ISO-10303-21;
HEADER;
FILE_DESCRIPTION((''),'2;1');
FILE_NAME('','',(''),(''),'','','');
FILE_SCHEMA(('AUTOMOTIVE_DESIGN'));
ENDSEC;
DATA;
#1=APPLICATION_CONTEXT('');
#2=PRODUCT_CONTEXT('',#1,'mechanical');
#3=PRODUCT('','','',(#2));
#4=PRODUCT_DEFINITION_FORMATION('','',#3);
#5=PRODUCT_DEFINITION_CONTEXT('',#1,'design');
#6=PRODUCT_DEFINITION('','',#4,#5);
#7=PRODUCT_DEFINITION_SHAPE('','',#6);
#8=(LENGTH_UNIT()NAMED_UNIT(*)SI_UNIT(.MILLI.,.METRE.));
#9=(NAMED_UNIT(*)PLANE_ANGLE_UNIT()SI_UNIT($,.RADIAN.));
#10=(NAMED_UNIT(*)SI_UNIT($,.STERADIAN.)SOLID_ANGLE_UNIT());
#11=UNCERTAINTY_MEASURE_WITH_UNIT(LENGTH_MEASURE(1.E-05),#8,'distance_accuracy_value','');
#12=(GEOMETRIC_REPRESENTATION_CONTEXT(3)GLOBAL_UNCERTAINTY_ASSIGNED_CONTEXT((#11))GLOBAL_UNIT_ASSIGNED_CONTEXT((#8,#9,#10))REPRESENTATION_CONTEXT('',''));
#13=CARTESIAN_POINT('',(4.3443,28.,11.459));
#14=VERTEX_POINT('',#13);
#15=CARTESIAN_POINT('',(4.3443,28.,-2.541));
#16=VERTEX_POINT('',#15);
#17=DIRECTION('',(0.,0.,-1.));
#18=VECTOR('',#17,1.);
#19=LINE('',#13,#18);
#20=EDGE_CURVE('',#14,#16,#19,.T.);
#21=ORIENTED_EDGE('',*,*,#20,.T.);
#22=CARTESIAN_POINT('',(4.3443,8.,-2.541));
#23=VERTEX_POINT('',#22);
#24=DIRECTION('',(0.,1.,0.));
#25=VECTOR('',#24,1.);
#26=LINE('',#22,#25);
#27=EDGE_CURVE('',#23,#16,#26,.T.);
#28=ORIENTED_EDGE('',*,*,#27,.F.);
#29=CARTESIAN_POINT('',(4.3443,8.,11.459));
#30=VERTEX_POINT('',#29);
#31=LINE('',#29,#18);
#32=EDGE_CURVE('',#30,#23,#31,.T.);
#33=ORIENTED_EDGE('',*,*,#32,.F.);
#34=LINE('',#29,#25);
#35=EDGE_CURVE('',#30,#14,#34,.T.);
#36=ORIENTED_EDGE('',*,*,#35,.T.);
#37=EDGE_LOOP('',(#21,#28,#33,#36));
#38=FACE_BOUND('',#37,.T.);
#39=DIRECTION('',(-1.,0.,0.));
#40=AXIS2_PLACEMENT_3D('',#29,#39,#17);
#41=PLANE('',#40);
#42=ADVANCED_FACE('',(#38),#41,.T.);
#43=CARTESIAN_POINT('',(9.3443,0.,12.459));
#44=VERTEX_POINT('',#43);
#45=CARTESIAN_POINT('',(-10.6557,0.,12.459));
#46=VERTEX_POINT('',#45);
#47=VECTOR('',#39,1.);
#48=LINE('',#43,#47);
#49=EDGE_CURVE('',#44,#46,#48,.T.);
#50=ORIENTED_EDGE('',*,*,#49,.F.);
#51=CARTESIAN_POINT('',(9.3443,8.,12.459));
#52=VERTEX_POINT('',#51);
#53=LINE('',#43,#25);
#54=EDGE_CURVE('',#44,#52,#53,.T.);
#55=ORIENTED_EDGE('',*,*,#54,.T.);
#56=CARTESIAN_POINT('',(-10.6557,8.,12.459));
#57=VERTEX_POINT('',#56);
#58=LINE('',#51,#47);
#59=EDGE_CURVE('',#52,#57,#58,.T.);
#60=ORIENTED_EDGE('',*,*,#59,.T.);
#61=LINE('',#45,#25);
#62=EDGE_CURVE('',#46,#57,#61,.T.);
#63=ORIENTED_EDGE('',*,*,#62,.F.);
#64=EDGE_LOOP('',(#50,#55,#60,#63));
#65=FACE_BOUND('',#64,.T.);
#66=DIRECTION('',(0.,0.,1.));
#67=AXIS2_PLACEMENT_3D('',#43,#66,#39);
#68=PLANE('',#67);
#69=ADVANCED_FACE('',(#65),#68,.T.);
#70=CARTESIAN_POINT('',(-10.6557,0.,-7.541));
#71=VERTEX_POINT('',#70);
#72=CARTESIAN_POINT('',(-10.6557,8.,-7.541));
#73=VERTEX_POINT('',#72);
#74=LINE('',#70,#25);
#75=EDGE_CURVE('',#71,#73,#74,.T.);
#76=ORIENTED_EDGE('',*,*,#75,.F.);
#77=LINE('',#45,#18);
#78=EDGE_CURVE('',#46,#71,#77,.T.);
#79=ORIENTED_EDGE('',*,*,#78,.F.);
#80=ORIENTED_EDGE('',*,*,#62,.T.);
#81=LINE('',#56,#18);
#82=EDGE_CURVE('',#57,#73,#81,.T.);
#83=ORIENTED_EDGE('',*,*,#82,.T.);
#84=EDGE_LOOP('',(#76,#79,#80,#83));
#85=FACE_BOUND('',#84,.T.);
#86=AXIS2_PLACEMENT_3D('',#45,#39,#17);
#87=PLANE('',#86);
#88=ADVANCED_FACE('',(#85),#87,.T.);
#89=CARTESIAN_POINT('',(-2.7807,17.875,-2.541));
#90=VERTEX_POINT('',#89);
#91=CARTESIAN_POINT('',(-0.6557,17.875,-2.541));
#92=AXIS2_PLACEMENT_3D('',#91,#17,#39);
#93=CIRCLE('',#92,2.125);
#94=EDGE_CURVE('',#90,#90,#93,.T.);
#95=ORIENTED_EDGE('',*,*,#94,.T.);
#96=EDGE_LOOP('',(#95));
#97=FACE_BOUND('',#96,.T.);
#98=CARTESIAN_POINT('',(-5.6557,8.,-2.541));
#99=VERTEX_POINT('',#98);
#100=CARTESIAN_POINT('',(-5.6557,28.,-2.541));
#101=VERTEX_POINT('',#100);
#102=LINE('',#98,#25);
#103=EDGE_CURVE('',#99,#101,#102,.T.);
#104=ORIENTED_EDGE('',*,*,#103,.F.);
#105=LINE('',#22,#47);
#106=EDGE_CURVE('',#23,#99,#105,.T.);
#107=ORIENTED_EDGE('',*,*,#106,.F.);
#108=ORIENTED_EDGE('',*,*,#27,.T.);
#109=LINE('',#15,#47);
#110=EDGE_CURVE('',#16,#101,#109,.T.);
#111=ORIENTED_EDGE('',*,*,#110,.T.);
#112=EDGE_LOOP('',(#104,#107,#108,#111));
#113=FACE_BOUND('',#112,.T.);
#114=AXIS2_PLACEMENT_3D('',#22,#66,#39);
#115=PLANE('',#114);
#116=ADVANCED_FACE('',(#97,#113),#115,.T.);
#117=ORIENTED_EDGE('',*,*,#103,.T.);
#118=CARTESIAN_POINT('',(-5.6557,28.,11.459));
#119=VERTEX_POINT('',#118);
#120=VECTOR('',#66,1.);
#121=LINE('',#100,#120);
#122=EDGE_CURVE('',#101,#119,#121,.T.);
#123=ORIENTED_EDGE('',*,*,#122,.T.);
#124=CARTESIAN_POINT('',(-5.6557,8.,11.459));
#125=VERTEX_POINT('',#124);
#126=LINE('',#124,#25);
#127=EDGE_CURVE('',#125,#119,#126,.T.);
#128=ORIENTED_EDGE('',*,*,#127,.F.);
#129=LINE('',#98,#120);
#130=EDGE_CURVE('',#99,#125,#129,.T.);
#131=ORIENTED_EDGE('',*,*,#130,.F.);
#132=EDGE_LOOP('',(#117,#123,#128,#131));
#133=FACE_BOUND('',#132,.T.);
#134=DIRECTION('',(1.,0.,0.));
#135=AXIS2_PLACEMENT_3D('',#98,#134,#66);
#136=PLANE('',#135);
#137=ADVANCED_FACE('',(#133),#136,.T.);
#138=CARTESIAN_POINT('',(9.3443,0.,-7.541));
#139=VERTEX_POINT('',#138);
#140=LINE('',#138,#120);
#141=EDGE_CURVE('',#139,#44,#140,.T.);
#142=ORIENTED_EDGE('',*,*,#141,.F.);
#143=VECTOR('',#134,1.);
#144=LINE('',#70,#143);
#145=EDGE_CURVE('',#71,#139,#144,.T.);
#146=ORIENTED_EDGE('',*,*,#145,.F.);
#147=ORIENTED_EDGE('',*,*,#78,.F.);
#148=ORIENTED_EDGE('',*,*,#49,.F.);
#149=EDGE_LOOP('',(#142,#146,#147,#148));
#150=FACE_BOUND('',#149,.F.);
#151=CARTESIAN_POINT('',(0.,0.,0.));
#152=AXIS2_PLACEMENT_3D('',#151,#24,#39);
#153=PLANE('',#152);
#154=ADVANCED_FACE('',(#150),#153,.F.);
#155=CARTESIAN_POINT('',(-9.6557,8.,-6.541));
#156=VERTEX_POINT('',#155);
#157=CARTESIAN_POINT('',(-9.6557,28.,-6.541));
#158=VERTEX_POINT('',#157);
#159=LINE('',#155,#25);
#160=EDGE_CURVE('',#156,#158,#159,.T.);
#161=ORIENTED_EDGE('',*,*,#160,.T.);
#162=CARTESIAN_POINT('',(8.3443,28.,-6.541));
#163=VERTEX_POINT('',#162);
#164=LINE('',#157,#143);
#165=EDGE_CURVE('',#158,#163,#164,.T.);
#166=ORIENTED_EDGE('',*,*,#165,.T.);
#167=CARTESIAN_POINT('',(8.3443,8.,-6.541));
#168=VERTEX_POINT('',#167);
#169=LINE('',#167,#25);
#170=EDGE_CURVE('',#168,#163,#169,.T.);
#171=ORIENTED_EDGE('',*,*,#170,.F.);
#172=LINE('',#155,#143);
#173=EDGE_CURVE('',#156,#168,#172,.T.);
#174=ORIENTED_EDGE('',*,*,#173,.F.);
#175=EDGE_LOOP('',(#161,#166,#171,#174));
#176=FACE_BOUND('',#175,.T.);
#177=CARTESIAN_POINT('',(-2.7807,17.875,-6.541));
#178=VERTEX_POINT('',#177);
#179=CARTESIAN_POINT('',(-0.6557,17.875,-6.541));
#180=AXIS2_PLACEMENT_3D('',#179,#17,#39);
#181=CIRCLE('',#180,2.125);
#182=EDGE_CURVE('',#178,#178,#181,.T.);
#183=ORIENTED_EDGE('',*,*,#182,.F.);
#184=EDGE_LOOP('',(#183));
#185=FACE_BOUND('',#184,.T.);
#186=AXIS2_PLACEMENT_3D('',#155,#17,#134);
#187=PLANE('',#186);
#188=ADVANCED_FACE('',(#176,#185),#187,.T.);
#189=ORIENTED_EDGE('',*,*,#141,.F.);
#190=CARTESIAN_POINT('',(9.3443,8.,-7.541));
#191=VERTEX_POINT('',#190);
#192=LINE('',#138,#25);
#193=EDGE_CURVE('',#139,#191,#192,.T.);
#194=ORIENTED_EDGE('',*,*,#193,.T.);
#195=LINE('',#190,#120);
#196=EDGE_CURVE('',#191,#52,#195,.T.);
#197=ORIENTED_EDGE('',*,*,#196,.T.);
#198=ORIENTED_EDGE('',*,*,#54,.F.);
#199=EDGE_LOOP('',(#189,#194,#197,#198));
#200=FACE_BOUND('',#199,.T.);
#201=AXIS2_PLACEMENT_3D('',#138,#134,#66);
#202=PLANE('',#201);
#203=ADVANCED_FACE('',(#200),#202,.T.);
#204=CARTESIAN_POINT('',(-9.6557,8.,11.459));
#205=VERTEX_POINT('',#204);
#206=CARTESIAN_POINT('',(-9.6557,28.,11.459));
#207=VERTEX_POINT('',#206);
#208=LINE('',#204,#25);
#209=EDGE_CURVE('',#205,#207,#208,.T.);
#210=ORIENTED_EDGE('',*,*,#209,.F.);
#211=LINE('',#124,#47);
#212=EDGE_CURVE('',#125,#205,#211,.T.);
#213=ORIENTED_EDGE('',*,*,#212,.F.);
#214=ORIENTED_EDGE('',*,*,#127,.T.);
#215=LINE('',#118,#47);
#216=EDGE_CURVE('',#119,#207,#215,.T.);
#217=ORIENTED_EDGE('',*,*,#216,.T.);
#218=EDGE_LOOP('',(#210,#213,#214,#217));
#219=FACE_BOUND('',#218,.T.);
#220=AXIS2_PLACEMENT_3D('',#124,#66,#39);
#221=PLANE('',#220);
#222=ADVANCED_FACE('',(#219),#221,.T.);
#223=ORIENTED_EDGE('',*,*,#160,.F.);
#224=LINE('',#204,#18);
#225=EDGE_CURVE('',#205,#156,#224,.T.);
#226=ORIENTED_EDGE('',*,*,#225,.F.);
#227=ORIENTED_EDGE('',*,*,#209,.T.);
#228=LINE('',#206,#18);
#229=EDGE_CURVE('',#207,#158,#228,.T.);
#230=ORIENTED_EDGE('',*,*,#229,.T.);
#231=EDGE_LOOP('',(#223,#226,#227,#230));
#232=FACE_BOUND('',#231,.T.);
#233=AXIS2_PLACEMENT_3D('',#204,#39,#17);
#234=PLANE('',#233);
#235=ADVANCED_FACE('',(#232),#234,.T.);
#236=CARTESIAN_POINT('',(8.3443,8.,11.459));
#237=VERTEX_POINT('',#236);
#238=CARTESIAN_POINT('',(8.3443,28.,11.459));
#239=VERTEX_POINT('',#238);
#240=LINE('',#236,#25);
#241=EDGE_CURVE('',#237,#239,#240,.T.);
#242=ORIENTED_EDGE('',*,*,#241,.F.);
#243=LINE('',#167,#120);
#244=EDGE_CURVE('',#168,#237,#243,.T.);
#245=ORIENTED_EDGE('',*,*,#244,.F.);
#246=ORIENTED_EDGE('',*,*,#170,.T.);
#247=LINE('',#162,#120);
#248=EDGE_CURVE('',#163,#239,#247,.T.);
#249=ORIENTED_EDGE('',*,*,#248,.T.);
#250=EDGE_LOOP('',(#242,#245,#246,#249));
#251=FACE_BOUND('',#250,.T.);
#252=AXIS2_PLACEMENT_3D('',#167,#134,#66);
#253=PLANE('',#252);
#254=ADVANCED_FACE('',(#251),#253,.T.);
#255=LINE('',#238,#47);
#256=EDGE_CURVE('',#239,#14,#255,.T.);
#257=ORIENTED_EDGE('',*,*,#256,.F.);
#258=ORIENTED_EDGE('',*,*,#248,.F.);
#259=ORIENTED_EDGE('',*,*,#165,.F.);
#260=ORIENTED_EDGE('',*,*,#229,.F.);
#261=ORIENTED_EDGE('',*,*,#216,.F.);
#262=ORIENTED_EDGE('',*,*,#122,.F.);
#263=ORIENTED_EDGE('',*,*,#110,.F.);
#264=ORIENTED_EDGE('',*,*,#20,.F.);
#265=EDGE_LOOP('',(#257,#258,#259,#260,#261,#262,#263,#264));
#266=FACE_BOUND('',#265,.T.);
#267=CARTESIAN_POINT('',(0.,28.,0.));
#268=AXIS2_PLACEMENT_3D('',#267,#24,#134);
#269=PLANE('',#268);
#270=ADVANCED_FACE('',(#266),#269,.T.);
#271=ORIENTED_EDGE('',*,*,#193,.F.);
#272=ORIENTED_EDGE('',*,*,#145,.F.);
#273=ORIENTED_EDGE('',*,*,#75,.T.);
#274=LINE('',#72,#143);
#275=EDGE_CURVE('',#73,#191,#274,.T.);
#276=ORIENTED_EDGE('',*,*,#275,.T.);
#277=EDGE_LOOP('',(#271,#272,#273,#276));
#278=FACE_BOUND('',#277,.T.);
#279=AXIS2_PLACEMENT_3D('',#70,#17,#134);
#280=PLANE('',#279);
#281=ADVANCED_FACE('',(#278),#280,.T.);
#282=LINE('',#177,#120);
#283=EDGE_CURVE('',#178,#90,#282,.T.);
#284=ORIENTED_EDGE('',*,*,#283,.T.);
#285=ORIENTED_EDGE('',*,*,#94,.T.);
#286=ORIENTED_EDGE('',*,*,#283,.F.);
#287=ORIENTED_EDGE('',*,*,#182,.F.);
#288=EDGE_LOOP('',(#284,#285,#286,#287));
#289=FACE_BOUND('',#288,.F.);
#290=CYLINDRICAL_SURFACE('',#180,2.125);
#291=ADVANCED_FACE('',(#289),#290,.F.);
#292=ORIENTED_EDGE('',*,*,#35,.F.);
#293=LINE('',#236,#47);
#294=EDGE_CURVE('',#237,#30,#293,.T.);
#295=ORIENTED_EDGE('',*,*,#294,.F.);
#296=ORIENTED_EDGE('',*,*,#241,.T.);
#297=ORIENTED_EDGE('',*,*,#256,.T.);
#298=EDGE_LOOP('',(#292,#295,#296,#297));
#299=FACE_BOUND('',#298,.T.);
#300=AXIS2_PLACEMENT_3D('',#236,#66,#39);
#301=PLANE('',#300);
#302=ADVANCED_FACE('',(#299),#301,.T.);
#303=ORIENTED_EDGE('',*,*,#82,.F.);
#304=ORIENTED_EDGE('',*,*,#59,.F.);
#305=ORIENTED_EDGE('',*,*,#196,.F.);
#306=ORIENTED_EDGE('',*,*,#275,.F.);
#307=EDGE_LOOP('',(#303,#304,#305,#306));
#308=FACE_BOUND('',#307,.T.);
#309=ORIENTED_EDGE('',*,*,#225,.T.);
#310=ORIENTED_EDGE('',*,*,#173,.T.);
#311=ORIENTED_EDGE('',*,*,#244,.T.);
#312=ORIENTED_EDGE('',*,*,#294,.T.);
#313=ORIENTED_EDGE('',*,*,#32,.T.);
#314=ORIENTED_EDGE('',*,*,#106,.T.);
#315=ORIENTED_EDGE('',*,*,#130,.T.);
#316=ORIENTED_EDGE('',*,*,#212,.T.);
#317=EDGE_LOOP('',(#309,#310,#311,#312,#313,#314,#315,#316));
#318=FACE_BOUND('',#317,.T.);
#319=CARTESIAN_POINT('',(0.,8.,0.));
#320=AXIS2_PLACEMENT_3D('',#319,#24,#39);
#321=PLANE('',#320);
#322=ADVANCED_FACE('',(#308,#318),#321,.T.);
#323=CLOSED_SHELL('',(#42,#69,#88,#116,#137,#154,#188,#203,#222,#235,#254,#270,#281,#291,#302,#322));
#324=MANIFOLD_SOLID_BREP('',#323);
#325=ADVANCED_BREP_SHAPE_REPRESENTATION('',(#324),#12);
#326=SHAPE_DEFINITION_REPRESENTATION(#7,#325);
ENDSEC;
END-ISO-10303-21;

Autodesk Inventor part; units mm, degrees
ref_plane "YZ Plane" through (0, 0, 0) normal (1, 0, 0) x (0, 1, 0)
ref_plane "XZ Plane" through (0, 0, 0) normal (0, 1, 0) x (-1, 0, 0)
ref_plane "XY Plane" through (0, 0, 0) normal (0, 0, 1) x (1, 0, 0)
sketch "Sketch2" plane through (0, 0, 0) normal (0, 1, 0) x (-1, 0, 0)
  line L0 (10.6557, -7.541) -> (-9.3443, -7.541)
  line L1 (-9.3443, -7.541) -> (-9.3443, 12.459)
  line L2 (-9.3443, 12.459) -> (10.6557, 12.459)
  line L3 (10.6557, 12.459) -> (10.6557, -7.541)
  point P0 (0, 0)
  dimension "d10" = 20
  dimension "d11" = 20
extrude "Extrusion3" add sketch "Sketch2" along normal blind 8
sketch "Sketch3" plane through (0, 8, 0) normal (0, 1, 0) x (1, 0, 0)
  line L0 (9.3443, 7.541) -> (-10.6557, 7.541) projected
  line L1 (-10.6557, 7.541) -> (-10.6557, -12.459) projected
  line L2 (-10.6557, -12.459) -> (9.3443, -12.459) projected
  line L3 (9.3443, -12.459) -> (9.3443, 7.541) projected
  line L4 (-9.6557, -11.459) -> (-9.6557, 6.541)
  line L5 (-9.6557, 6.541) -> (8.3443, 6.541)
  line L6 (8.3443, 6.541) -> (8.3443, -11.459)
  line L7 (8.3443, -11.459) -> (4.3443, -11.459)
  line L8 (4.3443, -11.459) -> (4.3443, 2.541)
  line L9 (4.3443, 2.541) -> (-5.6557, 2.541)
  line L10 (-5.6557, 2.541) -> (-5.6557, -11.459)
  line L11 (-5.6557, -11.459) -> (-9.6557, -11.459)
  line L12 (-9.6557, 6.541) -> (-10.6557, 6.541) construction
  line L13 (8.3443, 6.541) -> (9.3443, 6.541) construction
  line L14 (-9.6557, 6.541) -> (-9.6557, 7.541) construction
  point P0 (0, 0)
  dimension "d14" = 10
  dimension "d15" = 4
  dimension "d16" = 4
  dimension "d17" = 1
  dimension "d18" = 14
extrude "Extrusion4" add sketch "Sketch3" along normal blind 20 contours L4 L5 L6 L7 L8 L9 L10 L11
sketch "Sketch4" plane through (8.3443, 8, -6.541) normal (0, 0, -1) x (-1, 0, 0)
  circle A0 centre (9, 9.875) radius 2.125
  line L0 (9, 9.875) -> (0, 9.875) construction
  line L1 (0, 0) -> (0, 20) projected
  line L2 (9, 9.875) -> (18, 9.875) construction
  line L3 (18, 0) -> (18, 20) projected
  line L4 (0, 20) -> (18, 20) projected
  point P0 (8.3443, -8)
  dimension "d21" = 4.25
  dimension "d22" = 8
extrude "Extrusion5" cut sketch "Sketch4" against normal up to next
properties part number "XPulleySupport"
